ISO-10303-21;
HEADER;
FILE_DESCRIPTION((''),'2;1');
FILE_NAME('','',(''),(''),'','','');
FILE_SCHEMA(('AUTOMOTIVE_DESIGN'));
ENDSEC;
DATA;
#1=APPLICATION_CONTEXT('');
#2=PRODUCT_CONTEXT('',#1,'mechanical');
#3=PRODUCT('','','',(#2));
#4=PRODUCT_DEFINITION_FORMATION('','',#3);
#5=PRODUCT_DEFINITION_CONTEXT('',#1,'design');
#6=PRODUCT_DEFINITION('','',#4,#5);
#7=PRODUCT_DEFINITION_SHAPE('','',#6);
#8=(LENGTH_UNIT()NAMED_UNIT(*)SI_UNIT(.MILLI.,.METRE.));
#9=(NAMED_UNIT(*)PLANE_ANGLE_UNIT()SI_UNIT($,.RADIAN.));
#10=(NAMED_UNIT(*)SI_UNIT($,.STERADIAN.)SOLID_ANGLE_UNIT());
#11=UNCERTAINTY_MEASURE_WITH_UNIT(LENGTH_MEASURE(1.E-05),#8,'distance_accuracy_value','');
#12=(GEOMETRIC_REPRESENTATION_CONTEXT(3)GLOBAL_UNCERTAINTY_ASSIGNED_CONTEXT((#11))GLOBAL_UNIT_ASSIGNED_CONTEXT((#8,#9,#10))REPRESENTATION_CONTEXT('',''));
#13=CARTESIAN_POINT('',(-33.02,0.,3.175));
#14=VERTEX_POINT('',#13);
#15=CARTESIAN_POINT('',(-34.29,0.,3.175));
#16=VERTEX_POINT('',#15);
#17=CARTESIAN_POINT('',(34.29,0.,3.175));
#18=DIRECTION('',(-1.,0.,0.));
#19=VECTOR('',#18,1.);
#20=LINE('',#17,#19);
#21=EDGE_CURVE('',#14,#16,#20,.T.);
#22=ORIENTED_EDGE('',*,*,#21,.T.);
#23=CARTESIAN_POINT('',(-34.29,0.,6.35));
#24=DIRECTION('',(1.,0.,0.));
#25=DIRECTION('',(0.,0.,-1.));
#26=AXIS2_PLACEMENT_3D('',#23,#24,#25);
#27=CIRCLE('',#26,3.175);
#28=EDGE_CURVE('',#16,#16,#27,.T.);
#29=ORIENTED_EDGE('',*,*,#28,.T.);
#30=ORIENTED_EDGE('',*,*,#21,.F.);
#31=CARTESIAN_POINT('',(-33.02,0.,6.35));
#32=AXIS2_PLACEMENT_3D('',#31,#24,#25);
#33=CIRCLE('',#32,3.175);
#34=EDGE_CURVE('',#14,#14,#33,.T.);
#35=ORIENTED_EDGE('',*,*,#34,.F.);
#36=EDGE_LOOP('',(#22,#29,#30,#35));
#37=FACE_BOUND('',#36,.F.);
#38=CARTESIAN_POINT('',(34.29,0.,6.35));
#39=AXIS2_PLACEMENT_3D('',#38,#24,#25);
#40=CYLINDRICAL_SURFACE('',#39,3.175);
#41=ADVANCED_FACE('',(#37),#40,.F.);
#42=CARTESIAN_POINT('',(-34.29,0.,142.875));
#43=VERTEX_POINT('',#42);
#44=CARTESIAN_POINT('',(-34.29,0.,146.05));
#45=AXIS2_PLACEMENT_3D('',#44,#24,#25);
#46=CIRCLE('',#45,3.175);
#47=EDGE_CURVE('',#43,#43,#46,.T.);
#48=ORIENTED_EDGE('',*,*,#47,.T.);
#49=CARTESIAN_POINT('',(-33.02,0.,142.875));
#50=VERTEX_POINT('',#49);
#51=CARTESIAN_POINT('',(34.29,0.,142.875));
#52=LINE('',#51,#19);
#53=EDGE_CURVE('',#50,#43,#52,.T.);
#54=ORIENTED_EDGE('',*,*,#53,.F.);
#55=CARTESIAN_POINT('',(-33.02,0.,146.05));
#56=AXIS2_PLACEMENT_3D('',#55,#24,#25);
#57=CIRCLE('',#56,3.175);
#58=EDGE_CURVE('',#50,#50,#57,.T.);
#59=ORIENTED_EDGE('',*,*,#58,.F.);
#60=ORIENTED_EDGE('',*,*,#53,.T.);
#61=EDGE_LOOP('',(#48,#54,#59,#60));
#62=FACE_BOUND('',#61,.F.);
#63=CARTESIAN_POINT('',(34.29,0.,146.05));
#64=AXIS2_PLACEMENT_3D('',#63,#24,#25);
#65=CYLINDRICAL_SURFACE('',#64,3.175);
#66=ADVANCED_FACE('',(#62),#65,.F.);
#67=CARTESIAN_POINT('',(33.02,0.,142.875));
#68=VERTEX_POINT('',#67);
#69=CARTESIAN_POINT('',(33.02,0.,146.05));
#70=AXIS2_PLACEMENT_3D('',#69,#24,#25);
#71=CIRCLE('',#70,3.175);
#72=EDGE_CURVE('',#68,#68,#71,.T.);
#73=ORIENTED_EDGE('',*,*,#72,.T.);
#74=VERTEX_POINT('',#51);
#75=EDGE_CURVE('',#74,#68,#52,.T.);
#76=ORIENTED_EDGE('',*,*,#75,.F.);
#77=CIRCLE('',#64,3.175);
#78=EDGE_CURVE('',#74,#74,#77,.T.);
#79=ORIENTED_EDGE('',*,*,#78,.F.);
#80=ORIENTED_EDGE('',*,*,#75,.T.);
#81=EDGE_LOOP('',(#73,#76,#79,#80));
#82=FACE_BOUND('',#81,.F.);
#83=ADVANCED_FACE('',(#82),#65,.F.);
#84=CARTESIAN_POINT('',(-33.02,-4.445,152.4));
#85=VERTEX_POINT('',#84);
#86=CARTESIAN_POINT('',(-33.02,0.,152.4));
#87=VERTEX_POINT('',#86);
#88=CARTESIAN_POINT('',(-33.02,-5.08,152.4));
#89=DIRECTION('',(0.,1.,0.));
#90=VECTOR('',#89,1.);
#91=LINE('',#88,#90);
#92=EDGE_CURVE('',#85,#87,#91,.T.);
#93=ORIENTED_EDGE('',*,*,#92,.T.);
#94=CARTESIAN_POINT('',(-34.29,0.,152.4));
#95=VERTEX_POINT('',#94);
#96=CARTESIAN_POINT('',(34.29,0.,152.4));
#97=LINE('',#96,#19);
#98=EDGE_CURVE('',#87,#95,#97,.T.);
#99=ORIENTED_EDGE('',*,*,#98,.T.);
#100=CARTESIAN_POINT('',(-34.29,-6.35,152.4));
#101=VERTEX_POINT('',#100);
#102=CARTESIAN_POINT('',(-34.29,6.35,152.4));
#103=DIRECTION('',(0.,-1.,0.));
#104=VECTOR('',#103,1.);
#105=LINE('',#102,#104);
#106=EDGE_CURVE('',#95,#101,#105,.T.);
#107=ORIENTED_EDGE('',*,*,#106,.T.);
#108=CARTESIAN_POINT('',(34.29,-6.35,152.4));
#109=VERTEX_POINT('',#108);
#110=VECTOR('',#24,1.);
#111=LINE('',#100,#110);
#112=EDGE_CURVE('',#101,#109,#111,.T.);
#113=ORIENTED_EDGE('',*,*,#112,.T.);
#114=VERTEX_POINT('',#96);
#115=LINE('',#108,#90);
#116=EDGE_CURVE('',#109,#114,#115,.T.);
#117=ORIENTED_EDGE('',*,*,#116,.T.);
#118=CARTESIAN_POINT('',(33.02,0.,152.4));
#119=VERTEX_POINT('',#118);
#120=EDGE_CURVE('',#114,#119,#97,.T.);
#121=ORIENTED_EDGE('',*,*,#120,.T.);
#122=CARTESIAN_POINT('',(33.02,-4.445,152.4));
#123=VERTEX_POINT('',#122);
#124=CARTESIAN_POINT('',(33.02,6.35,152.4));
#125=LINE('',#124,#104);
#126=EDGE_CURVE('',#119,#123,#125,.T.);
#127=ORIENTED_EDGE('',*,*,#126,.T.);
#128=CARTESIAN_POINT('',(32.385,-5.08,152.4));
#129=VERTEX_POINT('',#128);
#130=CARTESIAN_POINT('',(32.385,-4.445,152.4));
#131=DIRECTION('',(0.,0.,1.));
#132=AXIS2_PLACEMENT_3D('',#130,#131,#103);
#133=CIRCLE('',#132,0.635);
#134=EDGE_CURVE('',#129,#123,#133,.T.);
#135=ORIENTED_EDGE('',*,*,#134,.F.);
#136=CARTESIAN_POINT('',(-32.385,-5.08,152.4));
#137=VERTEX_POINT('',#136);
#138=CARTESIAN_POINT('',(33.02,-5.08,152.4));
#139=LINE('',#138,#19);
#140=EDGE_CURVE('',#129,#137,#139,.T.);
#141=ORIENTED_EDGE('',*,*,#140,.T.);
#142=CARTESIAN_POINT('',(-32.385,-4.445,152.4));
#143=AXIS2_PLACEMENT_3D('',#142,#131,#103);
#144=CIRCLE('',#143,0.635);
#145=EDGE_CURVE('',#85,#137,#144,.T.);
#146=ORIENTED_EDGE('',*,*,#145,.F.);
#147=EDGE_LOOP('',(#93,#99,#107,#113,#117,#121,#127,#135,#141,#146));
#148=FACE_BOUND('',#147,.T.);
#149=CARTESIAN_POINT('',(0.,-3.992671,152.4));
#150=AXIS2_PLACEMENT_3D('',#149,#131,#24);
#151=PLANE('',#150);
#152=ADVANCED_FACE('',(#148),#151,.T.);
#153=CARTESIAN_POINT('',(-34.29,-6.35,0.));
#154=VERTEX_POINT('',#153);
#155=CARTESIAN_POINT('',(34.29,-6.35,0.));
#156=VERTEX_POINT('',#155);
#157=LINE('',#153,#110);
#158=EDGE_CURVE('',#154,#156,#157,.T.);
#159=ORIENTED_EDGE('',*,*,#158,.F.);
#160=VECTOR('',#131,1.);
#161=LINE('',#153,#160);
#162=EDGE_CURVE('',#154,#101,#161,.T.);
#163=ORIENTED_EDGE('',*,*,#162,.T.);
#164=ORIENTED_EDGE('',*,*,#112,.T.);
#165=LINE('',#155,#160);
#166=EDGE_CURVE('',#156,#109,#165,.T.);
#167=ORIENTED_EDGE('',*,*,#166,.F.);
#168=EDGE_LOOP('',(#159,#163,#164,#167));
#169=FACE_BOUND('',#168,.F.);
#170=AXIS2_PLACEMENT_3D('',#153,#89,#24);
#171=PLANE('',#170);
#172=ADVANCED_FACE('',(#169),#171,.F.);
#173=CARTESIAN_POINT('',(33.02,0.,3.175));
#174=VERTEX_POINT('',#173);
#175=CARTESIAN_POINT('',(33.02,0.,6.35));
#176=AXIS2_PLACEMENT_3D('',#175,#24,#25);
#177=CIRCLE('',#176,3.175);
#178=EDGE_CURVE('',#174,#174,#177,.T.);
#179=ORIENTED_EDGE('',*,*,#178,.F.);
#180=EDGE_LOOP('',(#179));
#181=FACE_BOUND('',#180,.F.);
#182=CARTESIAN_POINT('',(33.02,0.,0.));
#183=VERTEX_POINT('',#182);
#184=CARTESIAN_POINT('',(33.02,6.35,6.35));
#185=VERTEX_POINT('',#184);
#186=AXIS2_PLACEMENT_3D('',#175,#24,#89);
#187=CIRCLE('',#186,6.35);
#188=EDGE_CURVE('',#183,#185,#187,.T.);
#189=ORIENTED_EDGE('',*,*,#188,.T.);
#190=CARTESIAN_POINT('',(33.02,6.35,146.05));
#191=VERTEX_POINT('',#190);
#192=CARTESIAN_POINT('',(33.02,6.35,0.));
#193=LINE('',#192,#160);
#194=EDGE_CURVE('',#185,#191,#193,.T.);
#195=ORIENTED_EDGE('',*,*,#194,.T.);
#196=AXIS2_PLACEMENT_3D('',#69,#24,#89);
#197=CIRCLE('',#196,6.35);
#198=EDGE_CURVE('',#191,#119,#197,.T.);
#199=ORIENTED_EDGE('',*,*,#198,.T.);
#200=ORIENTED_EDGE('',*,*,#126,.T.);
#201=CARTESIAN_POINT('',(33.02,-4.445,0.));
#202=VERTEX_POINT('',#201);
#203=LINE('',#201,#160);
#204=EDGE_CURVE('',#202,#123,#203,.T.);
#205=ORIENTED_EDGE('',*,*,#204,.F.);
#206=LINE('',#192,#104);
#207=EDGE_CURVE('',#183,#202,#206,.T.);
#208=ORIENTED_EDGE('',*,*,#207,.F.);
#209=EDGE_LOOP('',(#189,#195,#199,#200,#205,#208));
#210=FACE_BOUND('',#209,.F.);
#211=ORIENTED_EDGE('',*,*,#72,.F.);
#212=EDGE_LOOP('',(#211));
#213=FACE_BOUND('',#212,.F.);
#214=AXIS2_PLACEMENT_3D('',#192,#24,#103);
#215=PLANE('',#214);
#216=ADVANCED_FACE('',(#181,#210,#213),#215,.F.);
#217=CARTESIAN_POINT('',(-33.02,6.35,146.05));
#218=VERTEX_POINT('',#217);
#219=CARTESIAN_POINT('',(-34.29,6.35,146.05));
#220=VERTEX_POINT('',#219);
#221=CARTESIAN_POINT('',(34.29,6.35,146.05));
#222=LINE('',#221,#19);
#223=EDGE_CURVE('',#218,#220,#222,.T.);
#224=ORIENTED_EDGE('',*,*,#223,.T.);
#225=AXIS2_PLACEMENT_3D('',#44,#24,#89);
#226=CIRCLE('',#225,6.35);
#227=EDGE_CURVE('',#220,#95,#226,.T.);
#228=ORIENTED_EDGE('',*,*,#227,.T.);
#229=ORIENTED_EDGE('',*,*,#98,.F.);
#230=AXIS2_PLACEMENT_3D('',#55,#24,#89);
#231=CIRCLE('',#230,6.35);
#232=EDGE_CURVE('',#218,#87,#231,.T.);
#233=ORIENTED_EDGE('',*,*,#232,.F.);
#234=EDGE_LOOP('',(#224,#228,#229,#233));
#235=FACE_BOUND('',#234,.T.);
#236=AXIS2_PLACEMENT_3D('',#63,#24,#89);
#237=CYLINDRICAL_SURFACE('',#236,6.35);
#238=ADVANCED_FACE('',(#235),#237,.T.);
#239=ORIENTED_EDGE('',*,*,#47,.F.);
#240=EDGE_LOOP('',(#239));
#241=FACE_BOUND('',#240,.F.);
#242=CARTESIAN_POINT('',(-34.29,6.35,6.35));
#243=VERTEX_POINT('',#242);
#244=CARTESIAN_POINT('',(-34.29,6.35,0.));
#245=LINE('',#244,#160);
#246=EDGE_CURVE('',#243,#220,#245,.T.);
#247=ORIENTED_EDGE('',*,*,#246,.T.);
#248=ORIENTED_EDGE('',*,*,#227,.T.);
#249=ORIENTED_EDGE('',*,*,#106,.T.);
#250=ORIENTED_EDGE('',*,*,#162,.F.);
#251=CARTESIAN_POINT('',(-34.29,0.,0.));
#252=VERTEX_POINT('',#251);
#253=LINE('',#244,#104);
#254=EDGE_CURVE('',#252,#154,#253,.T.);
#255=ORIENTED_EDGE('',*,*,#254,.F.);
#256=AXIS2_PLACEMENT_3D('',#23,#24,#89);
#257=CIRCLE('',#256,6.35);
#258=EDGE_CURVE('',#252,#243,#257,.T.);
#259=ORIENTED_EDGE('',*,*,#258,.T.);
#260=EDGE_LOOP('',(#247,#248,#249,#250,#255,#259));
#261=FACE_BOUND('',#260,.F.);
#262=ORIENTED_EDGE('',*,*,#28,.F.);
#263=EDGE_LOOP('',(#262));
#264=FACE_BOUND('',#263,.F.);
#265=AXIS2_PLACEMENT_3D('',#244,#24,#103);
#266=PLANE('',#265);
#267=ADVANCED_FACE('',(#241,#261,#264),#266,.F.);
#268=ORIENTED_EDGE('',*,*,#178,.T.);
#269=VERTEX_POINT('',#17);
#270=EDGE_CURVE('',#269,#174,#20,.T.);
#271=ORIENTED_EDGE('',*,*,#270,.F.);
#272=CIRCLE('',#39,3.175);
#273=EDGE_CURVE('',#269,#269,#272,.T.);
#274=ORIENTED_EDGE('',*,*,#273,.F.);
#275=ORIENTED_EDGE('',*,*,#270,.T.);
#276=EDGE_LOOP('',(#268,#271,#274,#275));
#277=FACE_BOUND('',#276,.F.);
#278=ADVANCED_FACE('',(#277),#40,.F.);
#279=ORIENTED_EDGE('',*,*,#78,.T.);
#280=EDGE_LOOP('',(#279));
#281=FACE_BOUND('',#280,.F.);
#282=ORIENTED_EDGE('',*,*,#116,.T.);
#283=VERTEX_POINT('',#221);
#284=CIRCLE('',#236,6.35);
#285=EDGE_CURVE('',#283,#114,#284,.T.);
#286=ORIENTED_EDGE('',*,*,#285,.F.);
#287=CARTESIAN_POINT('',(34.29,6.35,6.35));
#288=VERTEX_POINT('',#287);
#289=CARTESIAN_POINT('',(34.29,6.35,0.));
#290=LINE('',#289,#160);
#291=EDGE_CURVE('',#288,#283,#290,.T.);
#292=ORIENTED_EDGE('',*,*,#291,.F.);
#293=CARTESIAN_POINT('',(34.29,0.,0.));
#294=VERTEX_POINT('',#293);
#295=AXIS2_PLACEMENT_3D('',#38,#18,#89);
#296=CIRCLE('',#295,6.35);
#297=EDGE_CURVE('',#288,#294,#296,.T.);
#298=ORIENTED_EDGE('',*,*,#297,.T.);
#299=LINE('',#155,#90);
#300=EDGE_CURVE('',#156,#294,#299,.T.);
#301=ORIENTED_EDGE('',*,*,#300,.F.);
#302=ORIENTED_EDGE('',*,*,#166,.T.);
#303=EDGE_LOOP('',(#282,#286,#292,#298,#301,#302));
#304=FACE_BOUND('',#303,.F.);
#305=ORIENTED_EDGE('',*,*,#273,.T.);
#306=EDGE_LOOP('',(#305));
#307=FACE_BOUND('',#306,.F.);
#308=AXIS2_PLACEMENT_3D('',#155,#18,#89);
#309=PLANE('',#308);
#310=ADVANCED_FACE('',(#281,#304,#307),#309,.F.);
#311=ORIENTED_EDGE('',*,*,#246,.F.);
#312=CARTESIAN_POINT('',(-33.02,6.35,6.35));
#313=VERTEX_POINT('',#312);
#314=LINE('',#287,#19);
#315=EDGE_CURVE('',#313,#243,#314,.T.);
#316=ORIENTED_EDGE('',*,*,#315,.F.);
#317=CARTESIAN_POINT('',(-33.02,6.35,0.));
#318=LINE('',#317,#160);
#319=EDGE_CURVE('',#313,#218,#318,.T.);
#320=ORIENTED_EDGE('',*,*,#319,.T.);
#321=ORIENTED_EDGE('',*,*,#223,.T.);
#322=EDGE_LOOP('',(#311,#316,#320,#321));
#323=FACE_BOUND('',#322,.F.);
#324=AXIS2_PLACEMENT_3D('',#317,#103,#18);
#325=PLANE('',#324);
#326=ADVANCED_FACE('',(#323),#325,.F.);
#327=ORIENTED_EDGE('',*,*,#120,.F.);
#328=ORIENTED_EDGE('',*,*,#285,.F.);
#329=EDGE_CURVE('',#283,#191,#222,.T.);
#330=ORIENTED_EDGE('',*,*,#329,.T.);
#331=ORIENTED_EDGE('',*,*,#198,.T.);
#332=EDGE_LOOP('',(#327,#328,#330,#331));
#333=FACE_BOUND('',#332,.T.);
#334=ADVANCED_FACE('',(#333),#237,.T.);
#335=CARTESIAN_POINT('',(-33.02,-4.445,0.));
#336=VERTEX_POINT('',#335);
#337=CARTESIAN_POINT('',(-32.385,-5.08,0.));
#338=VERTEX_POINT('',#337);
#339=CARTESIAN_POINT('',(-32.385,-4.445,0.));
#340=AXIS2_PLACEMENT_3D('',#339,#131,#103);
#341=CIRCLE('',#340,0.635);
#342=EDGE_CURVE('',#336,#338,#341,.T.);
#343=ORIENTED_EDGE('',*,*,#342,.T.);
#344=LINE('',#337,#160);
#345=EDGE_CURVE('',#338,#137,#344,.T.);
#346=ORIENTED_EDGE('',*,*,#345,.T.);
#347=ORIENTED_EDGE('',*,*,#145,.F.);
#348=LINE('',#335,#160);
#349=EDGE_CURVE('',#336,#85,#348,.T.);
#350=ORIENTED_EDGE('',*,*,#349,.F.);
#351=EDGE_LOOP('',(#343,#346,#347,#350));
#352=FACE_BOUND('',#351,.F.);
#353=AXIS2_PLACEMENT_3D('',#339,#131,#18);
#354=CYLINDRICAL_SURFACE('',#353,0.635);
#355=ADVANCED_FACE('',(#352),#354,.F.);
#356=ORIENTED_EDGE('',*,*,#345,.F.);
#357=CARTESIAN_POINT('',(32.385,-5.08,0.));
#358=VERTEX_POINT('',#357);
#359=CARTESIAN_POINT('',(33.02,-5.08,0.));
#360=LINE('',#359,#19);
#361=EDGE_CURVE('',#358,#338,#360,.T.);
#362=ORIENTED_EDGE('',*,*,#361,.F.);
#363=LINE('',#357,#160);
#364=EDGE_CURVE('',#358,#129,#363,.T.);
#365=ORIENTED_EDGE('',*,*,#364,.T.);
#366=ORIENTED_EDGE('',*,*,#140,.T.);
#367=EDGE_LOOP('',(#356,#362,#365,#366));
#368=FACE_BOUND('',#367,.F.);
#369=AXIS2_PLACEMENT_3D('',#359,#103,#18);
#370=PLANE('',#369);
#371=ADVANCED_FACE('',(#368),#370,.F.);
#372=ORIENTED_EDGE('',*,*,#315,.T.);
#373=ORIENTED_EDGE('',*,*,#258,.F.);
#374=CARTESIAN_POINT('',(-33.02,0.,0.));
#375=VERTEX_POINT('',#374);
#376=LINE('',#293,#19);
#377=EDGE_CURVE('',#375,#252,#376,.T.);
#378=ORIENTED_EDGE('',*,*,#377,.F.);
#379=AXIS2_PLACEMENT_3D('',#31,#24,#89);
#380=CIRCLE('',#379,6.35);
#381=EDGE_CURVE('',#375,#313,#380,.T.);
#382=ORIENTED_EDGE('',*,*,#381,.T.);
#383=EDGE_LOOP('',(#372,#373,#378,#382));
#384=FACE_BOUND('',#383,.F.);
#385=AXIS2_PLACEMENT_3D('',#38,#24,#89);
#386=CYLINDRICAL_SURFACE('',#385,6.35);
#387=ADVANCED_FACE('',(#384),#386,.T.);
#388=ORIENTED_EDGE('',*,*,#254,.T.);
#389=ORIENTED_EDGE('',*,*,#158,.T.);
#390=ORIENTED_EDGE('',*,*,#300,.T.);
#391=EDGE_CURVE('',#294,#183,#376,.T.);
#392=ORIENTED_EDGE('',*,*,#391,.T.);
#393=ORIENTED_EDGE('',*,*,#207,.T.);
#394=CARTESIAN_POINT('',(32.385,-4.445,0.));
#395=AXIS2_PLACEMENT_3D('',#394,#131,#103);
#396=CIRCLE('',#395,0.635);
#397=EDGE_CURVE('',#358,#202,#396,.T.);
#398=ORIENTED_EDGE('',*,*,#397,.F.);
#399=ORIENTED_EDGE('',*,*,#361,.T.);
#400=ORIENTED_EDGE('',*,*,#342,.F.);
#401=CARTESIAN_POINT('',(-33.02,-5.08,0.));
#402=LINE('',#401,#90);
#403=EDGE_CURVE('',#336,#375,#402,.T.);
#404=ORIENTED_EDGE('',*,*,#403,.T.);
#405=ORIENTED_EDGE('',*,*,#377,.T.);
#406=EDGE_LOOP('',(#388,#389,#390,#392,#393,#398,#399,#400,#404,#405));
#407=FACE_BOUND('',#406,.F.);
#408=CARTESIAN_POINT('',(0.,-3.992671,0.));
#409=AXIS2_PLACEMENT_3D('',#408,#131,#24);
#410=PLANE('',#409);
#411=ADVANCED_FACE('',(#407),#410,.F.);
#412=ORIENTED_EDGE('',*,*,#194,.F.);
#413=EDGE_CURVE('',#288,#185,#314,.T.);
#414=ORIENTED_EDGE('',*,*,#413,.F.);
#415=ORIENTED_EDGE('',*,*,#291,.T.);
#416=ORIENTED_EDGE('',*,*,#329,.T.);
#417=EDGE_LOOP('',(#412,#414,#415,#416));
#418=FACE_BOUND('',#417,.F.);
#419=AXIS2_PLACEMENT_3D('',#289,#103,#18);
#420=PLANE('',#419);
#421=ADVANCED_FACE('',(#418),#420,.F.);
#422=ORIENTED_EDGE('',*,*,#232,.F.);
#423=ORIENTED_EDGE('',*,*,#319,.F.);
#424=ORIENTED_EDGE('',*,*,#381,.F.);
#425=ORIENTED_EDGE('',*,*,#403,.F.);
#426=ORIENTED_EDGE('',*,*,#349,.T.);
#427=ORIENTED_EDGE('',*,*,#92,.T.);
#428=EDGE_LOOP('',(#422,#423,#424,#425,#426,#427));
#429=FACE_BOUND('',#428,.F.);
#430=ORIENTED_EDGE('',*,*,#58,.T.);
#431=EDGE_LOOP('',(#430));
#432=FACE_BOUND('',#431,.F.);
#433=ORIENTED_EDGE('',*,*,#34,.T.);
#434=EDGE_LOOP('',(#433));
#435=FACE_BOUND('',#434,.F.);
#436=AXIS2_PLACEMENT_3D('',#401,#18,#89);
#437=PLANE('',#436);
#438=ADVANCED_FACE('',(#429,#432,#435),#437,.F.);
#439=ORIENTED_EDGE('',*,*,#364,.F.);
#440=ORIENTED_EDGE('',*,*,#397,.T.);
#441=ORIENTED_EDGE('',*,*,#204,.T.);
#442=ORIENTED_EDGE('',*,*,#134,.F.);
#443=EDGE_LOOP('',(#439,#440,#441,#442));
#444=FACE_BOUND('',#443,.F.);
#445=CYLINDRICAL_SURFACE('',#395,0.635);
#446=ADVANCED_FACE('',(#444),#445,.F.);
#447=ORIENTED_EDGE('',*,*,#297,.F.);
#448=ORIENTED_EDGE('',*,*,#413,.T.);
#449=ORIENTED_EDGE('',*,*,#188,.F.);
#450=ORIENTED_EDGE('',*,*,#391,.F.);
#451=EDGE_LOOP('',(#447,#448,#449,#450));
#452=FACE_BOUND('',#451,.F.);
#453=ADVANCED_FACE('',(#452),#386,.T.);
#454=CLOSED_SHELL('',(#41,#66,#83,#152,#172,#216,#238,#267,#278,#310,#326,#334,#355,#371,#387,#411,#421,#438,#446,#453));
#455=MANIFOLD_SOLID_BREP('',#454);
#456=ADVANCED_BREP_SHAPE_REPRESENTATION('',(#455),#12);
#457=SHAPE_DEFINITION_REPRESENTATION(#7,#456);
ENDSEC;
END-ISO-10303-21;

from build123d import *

# Parameters (mm, degrees)
BOSS_EXTRUDE1_DEPTH = 152.4
SKETCH2_R           = 3.175
CUT_EXTRUDE1_DEPTH  = 69.58
FILLET1_R           = 0.635


with BuildPart() as part:
    # Sketch1 → Boss-Extrude1 (new body)
    with BuildSketch(Plane.XY):
        Polygon((-34.29, 6.35), (-34.29, -6.35), (34.29, -6.35), (34.29, 6.35), (33.02, 6.35), (33.02, -5.08), (-33.02, -5.08), (-33.02, 6.35), align=None)
    extrude(amount=BOSS_EXTRUDE1_DEPTH)

    # Sketch2 → Cut-Extrude1 (cut, through all)
    with BuildSketch(Plane(origin=(34.29, 0, 0), x_dir=(0, 0, -1), z_dir=(1, 0, 0))):
        with Locations((-146.05, 0)):
            Circle(SKETCH2_R)
        with Locations((-6.35, 0)):
            Circle(SKETCH2_R)
        with BuildLine():
            Line((-152.4, 0), (-152.4, 6.35))
            Line((-152.4, 6.35), (-146.05, 6.35))
            ThreePointArc((-146.05, 6.35), (-150.540128061, 4.490128061), (-152.4, 0))
        make_face()
        with BuildLine():
            Line((0, 0), (0, 6.35))
            Line((0, 6.35), (-6.35, 6.35))
            ThreePointArc((-6.35, 6.35), (-1.859871939, 4.490128061), (0, 0))
        make_face()
    extrude(amount=-CUT_EXTRUDE1_DEPTH, mode=Mode.SUBTRACT)

    # Fillet1
    fillet1_edges = [part.edges().sort_by_distance(p)[0] for p in [
        (-33.02, -5.08, 76.2),
        (33.02, -5.08, 76.2),
    ]]
    fillet(fillet1_edges, radius=FILLET1_R)


solid = part.part
